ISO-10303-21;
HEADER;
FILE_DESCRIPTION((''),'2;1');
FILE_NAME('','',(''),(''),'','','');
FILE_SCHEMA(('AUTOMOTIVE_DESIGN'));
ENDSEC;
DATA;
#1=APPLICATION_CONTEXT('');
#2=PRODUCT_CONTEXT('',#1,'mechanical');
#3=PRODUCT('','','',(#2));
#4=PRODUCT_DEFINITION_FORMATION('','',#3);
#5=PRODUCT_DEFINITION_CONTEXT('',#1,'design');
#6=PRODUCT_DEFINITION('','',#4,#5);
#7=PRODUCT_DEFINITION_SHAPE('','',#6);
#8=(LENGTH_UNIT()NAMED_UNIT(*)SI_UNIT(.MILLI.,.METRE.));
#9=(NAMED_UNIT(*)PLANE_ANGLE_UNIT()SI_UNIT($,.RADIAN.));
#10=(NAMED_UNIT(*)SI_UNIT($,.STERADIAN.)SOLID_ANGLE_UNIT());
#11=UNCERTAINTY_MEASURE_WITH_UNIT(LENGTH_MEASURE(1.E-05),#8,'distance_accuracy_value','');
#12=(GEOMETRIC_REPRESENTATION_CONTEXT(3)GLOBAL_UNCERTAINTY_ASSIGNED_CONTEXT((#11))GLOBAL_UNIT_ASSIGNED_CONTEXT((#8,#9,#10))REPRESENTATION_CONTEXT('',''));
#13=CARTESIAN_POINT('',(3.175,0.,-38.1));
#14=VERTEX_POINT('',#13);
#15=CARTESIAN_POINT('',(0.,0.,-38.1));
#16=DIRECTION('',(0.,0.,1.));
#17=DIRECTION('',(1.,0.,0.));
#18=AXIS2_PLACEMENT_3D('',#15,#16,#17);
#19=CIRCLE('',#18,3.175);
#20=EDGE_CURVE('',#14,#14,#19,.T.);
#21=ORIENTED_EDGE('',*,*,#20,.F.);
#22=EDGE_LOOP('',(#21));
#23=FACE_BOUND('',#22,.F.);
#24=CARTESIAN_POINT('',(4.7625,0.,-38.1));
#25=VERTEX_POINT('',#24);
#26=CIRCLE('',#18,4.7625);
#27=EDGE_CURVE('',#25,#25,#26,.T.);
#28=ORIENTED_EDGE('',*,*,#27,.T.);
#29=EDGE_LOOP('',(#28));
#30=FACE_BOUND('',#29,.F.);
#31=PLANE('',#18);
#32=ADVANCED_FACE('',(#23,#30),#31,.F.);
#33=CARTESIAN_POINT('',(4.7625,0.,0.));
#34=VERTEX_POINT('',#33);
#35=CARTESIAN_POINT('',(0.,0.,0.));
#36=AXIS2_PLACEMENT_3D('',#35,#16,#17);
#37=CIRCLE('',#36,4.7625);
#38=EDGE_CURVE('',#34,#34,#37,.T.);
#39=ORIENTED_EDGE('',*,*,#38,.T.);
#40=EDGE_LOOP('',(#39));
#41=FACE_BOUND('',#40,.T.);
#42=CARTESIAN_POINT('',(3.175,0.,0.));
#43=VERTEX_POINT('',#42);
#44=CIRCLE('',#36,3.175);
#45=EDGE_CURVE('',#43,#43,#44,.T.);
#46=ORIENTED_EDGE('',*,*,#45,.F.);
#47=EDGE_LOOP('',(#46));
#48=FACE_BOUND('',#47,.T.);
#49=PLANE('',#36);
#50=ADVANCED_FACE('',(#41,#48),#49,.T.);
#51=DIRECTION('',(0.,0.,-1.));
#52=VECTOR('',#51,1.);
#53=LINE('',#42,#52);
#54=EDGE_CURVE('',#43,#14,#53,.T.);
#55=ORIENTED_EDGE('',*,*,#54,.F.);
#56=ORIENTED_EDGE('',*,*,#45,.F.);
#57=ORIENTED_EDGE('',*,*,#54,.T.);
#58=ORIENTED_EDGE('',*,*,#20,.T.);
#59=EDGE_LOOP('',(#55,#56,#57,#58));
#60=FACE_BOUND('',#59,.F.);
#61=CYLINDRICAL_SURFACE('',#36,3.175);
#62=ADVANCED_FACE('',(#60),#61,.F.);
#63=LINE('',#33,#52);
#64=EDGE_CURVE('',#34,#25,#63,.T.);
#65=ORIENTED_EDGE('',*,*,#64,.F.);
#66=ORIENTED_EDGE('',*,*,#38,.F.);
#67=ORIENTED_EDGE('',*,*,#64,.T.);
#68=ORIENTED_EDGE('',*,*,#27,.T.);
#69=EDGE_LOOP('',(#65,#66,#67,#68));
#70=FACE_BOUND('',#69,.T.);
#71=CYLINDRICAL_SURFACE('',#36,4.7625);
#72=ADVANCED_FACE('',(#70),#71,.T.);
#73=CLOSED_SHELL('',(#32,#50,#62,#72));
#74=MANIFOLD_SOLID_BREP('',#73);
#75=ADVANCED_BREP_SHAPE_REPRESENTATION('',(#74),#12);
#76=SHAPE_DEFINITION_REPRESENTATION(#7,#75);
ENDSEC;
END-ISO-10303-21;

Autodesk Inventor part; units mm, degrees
ref_plane "YZ Plane" through (0, 0, 0) normal (1, 0, 0) x (0, 1, 0)
ref_plane "XZ Plane" through (0, 0, 0) normal (0, 1, 0) x (-1, 0, 0)
ref_plane "XY Plane" through (0, 0, 0) normal (0, 0, 1) x (1, 0, 0)
sketch "Sketch1" plane through (0, 0, 0) normal (0, 0, 1) x (1, 0, 0)
  circle A0 centre (0, 0) radius 3.175
  circle A1 centre (0, 0) radius 4.7625
  dimension "d0" = 6.35
  dimension "d1" = 1.5875
extrude "Extrusion1" add sketch "Sketch1" against normal blind 38.1
properties part number "AD-hoc 1.5 spacer"
